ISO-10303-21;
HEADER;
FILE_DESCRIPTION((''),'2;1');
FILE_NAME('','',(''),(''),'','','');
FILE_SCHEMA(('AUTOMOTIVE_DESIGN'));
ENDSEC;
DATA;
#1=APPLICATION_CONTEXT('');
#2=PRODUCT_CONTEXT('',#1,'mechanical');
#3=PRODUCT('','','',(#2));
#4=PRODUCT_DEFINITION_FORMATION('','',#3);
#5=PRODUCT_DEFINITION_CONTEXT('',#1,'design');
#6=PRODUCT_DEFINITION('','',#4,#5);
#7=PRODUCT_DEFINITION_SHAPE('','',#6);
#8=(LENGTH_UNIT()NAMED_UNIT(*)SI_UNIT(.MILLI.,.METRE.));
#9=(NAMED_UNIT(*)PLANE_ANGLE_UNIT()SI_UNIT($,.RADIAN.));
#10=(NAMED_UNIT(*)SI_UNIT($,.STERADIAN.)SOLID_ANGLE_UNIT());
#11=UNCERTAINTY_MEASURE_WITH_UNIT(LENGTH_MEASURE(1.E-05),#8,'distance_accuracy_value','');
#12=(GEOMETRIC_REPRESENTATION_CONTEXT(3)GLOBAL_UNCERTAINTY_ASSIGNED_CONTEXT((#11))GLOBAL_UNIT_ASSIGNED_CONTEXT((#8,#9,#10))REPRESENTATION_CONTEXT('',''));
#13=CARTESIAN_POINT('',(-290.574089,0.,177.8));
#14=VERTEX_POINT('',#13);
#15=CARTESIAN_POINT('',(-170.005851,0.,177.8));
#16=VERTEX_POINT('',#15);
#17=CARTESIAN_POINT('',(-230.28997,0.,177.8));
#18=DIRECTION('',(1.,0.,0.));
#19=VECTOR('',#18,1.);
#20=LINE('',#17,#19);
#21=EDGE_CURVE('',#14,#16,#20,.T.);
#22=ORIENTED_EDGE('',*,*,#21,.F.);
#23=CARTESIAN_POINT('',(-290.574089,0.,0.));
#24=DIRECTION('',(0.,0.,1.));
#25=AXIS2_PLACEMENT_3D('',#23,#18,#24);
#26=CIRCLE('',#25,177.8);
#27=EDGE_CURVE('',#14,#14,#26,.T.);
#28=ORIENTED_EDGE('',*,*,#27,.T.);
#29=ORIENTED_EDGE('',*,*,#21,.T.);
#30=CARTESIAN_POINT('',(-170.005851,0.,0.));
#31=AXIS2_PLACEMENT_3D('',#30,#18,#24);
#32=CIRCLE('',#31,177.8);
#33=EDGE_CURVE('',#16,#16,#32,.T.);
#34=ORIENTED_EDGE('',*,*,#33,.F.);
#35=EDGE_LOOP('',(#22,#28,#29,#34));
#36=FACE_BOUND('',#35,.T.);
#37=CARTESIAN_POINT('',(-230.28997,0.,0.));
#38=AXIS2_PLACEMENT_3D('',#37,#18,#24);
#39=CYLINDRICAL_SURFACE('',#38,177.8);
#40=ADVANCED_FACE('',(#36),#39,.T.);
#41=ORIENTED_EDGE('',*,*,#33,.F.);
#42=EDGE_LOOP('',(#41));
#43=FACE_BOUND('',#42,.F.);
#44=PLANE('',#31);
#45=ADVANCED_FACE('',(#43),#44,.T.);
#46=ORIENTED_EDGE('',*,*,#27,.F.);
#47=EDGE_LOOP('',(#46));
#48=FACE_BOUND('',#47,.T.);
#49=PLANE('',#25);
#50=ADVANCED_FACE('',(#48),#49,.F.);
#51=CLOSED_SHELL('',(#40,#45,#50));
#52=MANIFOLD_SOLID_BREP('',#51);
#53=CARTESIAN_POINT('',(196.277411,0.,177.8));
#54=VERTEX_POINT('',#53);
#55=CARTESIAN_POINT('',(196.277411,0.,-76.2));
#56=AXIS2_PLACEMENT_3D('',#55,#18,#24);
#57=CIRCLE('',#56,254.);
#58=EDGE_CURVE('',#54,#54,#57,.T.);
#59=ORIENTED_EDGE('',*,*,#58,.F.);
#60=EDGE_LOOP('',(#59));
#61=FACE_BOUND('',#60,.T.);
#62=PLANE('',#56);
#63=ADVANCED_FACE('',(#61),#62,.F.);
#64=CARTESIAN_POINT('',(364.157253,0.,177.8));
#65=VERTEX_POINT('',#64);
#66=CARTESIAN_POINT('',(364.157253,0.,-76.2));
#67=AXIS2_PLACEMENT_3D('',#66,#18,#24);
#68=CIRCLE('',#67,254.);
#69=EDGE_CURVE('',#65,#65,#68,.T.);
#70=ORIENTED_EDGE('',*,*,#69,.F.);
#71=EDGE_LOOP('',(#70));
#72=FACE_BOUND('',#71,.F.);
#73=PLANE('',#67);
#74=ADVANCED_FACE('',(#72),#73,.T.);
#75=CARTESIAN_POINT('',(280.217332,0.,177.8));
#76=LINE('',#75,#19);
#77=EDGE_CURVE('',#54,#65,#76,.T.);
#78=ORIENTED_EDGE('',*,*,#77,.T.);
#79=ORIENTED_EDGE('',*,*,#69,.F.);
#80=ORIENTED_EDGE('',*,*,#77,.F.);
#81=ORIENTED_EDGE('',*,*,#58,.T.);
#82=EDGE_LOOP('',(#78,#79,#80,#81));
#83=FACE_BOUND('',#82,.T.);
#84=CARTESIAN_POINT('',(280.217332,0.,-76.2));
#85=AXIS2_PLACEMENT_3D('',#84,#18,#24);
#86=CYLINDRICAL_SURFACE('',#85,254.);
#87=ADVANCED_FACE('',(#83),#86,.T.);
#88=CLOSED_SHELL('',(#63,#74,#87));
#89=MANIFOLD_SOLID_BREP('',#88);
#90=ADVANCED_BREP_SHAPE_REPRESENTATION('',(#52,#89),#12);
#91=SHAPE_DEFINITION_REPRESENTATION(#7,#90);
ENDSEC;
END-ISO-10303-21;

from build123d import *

# Parameters (mm, degrees)
F0_W   = 167.879841
F0_H   = 254
F0_W_2 = 120.568238
F0_H_2 = 177.8


with BuildPart() as f1:
    # F0 (on Front) → F1 (revolve)
    with BuildSketch(Plane.XZ):
        with Locations((280.217332, 50.8)):
            Rectangle(F0_W, F0_H)
    revolve(axis=Axis((280.217332, 0, -76.2), (1, 0, 0)))


with BuildPart() as f2:
    # F0 (on Front) → F2 (revolve)
    with BuildSketch(Plane.XZ):
        with Locations((-230.28997, 88.9)):
            Rectangle(F0_W_2, F0_H_2)
    revolve(axis=Axis((-230.28997, 0, 0), (1, 0, 0)))


solid = Compound([f1.part, f2.part])
